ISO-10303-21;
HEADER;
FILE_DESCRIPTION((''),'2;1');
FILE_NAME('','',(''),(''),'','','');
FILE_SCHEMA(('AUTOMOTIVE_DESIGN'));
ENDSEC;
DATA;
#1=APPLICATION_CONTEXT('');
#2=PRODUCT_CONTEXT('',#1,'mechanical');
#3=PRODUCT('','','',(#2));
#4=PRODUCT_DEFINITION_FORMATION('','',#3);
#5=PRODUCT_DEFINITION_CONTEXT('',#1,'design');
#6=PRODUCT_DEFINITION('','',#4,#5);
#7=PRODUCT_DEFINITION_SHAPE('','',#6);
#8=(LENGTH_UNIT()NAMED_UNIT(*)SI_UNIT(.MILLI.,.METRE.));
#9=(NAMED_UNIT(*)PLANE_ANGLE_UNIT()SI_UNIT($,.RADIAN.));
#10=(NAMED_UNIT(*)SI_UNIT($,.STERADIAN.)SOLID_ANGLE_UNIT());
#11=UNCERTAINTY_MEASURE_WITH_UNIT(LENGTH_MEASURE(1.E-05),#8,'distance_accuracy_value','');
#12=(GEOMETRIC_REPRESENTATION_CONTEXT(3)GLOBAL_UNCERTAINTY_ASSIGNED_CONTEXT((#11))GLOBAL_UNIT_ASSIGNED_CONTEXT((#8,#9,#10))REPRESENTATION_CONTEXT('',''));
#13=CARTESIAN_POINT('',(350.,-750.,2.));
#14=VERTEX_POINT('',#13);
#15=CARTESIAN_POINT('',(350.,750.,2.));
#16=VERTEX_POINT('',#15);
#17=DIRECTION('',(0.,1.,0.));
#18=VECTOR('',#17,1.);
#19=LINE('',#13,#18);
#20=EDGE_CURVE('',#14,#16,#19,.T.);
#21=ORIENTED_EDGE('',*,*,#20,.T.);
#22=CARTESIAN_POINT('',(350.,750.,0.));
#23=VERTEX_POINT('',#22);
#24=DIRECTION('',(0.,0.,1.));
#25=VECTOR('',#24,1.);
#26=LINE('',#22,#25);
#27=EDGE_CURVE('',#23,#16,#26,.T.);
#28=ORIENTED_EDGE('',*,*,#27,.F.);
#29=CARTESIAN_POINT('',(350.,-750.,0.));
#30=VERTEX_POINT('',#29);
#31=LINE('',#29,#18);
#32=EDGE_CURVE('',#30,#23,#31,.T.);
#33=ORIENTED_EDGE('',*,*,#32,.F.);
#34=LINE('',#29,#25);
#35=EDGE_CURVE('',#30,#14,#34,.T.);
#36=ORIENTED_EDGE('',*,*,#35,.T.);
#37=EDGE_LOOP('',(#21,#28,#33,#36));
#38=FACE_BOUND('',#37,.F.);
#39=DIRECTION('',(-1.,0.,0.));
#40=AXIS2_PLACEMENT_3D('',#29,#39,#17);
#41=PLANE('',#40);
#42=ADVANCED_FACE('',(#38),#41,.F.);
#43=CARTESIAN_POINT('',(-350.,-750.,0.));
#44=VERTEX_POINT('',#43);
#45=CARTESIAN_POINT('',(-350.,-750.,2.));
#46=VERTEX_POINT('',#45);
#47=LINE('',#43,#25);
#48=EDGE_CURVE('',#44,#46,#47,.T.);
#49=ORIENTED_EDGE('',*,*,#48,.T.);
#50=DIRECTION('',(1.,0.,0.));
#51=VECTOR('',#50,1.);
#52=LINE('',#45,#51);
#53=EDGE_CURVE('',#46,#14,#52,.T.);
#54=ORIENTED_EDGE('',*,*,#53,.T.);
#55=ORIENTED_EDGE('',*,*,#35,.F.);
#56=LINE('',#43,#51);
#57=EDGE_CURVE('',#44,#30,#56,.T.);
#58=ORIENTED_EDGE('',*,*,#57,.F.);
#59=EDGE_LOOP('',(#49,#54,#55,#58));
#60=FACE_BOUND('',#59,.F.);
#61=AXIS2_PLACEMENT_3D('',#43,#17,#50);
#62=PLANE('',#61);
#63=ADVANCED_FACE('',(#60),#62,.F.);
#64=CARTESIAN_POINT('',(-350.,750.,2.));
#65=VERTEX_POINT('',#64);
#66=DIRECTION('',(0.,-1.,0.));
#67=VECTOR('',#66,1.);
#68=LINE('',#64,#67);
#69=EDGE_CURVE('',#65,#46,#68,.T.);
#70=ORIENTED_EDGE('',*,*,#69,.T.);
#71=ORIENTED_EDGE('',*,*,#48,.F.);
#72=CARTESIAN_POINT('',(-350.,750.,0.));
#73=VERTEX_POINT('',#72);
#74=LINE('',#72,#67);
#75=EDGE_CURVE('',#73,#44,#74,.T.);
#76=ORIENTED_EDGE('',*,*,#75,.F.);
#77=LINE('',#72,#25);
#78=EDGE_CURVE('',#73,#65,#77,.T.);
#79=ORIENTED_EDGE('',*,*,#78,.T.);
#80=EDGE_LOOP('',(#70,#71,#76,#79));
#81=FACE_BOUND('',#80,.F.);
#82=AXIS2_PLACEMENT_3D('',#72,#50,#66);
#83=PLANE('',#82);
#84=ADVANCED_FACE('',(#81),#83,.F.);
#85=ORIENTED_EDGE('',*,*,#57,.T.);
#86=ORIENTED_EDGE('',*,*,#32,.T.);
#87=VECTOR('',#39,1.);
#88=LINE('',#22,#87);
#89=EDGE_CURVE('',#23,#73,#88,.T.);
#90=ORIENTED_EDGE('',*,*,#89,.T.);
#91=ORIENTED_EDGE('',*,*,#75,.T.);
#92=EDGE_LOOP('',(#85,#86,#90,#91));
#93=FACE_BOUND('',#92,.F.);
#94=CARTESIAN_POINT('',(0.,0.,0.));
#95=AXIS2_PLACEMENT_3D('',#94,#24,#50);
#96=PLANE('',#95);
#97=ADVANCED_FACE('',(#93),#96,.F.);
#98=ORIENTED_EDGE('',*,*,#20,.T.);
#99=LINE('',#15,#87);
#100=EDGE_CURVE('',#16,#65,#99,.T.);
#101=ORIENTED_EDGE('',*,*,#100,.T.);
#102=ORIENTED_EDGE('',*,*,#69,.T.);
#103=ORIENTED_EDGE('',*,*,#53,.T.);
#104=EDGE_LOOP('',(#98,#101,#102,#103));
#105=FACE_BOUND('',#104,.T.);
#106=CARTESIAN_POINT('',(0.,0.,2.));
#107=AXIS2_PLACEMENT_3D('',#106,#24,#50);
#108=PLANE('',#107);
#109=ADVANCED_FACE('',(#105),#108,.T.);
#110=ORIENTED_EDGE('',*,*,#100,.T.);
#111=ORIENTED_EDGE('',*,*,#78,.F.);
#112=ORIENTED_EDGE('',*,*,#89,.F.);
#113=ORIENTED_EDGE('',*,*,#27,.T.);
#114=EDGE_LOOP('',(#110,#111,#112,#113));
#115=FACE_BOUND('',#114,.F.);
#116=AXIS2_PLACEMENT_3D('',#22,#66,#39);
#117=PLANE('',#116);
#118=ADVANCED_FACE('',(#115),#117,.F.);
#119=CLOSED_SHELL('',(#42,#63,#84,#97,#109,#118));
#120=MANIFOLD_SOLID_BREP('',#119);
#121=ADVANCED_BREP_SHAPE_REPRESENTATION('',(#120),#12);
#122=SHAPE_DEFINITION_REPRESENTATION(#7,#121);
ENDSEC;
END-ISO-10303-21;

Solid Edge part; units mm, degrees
sketch "Sketch1" plane through (0, 0, 0) normal (0, 0, 1) x (1, 0, 0)
  line L0 (350, 750) -> (-350, 750)
  line L1 (-350, 750) -> (-350, -750)
  line L2 (-350, -750) -> (350, -750)
  line L3 (350, -750) -> (350, 750)
extrude "Protrusion1" add sketch "Sketch1" along normal blind 2
properties material "Aluminum, 1060"
